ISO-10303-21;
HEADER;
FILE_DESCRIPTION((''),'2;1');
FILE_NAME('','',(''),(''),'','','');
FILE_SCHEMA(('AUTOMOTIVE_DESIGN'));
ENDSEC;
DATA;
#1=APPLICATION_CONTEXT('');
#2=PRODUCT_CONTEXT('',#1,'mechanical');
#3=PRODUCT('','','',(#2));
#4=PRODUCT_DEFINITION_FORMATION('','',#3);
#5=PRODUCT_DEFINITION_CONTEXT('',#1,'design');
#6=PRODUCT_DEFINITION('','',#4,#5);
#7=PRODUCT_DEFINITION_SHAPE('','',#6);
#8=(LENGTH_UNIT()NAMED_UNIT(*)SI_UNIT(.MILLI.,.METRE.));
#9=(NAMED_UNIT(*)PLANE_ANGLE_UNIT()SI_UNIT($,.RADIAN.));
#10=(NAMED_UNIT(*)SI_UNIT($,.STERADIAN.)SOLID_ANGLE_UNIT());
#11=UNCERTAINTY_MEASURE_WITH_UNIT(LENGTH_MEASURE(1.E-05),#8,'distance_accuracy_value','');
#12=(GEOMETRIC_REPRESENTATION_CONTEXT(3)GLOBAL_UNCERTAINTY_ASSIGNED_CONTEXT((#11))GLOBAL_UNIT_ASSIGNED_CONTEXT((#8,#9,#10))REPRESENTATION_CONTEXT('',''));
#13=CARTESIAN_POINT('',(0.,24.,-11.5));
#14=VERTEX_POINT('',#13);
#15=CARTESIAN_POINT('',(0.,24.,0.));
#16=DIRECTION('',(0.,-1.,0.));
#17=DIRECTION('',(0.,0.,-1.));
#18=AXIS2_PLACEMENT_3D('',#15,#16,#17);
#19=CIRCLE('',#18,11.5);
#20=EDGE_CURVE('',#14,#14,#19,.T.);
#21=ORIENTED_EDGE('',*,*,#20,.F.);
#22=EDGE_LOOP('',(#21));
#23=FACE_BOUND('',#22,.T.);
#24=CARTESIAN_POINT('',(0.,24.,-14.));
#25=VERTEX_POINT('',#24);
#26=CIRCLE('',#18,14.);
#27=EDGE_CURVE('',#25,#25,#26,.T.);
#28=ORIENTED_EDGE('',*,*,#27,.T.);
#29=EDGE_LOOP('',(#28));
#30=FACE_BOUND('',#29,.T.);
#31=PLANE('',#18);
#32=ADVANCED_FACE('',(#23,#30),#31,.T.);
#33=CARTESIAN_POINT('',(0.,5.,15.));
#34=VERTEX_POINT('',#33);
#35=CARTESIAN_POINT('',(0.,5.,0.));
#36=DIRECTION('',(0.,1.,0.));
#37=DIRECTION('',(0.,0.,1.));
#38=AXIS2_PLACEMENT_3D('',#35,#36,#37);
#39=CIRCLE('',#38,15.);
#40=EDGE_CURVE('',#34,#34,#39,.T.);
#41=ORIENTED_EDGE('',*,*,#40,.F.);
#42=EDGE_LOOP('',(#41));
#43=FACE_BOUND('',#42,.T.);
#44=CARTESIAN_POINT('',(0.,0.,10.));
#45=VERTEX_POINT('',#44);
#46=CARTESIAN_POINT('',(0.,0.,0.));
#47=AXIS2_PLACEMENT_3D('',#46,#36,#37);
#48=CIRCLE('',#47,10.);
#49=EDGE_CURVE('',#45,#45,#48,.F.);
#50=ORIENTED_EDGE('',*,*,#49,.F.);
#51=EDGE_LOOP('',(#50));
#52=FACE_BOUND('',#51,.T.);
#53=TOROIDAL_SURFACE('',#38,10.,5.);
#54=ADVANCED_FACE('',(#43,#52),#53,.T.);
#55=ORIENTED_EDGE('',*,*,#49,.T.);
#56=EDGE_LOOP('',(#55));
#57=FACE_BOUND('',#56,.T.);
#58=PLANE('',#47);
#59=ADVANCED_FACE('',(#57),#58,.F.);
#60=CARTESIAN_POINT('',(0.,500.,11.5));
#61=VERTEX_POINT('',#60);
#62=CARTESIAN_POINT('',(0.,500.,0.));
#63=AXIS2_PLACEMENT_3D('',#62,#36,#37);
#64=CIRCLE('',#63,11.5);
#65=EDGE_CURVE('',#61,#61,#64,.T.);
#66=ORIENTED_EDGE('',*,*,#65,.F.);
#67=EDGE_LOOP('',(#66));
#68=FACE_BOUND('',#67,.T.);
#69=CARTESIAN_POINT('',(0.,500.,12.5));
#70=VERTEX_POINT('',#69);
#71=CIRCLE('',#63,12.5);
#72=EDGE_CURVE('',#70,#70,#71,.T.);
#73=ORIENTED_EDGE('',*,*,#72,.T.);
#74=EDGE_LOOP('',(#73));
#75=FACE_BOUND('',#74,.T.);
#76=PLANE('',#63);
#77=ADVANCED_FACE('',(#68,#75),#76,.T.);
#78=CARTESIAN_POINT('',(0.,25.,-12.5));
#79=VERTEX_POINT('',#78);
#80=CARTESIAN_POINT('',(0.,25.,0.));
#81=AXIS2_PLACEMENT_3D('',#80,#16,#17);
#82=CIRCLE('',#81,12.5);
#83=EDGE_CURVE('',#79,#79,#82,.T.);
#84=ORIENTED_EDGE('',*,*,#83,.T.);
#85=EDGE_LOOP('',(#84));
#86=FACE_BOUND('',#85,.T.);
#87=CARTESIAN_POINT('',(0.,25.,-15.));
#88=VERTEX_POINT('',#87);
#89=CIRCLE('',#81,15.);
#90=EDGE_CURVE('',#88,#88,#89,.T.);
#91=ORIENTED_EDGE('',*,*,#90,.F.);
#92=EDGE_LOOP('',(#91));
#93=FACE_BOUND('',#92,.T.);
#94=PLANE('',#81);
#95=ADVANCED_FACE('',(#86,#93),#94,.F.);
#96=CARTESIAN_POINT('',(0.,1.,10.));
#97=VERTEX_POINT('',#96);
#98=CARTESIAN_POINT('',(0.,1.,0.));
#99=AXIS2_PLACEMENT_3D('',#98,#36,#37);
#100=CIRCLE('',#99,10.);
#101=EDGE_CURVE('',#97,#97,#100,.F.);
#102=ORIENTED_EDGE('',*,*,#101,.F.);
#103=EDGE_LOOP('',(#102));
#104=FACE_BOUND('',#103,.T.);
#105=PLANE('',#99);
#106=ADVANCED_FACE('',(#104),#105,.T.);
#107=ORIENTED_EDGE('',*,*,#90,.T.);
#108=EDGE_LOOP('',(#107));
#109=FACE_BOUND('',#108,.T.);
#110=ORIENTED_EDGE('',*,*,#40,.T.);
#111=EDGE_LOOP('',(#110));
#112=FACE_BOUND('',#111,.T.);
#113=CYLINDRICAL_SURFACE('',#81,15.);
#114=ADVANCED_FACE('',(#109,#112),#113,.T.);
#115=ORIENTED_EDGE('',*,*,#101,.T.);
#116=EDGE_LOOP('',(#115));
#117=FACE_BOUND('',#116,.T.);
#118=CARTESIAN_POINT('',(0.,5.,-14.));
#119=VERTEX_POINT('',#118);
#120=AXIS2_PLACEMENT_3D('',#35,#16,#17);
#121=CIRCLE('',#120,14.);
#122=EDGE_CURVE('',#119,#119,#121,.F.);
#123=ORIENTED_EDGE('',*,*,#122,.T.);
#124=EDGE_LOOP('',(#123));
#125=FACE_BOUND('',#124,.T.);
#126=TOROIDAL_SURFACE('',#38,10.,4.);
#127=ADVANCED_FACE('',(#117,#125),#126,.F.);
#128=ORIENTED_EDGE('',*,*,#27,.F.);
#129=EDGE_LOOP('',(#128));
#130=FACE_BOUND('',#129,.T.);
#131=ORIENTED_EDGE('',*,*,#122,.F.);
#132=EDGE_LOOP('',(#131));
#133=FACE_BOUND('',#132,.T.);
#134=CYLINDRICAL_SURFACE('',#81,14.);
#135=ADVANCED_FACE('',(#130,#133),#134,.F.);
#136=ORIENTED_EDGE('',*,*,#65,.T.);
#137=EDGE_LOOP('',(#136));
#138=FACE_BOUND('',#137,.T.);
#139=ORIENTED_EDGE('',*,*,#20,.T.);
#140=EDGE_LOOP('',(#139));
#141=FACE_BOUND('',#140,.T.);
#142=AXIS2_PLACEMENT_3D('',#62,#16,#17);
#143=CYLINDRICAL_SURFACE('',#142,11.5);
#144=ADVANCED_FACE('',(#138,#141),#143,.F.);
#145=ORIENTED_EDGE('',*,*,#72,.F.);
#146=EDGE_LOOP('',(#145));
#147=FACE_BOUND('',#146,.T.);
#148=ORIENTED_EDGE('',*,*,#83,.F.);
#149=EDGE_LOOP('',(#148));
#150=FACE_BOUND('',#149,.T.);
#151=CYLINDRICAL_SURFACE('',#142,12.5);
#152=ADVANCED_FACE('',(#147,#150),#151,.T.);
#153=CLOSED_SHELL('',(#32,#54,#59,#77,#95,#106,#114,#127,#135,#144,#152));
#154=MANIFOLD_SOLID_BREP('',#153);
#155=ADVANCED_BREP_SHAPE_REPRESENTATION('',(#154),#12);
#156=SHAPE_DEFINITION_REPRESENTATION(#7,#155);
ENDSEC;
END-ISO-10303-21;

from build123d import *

# Parameters (mm, degrees)
SKETCH1_R           = 12.5
BOSS_EXTRUDE1_DEPTH = 500
SKETCH3_R           = 15
BOSS_EXTRUDE2_DEPTH = 25
FILLET2_R           = 5
SHELL1_T            = -1


with BuildPart() as part:
    # Sketch1 → Boss-Extrude1 (new body)
    with BuildSketch(Plane(origin=(0, 0, 0), x_dir=(1, 0, 0), z_dir=(0, 1, 0))):
        with Locations(Location((0, 0, 0), (0, 0, 270))):
            Circle(SKETCH1_R)
    extrude(amount=BOSS_EXTRUDE1_DEPTH)

    # Sketch3 → Boss-Extrude2 (add)
    with BuildSketch(Plane.XZ):
        with Locations(Location((0, 0, 0), (0, 0, 270))):
            Circle(SKETCH3_R)
    extrude(amount=-BOSS_EXTRUDE2_DEPTH)

    # Fillet2
    fillet2_edges = [part.edges().sort_by_distance(p)[0] for p in [
        (0, 0, 15),
    ]]
    fillet(fillet2_edges, radius=FILLET2_R)

    # Shell1
    shell1_openings = [part.faces().sort_by_distance(p)[0] for p in [
        (0, 500, 0),
    ]]
    offset(amount=SHELL1_T, openings=shell1_openings, kind=Kind.INTERSECTION)


solid = part.part
